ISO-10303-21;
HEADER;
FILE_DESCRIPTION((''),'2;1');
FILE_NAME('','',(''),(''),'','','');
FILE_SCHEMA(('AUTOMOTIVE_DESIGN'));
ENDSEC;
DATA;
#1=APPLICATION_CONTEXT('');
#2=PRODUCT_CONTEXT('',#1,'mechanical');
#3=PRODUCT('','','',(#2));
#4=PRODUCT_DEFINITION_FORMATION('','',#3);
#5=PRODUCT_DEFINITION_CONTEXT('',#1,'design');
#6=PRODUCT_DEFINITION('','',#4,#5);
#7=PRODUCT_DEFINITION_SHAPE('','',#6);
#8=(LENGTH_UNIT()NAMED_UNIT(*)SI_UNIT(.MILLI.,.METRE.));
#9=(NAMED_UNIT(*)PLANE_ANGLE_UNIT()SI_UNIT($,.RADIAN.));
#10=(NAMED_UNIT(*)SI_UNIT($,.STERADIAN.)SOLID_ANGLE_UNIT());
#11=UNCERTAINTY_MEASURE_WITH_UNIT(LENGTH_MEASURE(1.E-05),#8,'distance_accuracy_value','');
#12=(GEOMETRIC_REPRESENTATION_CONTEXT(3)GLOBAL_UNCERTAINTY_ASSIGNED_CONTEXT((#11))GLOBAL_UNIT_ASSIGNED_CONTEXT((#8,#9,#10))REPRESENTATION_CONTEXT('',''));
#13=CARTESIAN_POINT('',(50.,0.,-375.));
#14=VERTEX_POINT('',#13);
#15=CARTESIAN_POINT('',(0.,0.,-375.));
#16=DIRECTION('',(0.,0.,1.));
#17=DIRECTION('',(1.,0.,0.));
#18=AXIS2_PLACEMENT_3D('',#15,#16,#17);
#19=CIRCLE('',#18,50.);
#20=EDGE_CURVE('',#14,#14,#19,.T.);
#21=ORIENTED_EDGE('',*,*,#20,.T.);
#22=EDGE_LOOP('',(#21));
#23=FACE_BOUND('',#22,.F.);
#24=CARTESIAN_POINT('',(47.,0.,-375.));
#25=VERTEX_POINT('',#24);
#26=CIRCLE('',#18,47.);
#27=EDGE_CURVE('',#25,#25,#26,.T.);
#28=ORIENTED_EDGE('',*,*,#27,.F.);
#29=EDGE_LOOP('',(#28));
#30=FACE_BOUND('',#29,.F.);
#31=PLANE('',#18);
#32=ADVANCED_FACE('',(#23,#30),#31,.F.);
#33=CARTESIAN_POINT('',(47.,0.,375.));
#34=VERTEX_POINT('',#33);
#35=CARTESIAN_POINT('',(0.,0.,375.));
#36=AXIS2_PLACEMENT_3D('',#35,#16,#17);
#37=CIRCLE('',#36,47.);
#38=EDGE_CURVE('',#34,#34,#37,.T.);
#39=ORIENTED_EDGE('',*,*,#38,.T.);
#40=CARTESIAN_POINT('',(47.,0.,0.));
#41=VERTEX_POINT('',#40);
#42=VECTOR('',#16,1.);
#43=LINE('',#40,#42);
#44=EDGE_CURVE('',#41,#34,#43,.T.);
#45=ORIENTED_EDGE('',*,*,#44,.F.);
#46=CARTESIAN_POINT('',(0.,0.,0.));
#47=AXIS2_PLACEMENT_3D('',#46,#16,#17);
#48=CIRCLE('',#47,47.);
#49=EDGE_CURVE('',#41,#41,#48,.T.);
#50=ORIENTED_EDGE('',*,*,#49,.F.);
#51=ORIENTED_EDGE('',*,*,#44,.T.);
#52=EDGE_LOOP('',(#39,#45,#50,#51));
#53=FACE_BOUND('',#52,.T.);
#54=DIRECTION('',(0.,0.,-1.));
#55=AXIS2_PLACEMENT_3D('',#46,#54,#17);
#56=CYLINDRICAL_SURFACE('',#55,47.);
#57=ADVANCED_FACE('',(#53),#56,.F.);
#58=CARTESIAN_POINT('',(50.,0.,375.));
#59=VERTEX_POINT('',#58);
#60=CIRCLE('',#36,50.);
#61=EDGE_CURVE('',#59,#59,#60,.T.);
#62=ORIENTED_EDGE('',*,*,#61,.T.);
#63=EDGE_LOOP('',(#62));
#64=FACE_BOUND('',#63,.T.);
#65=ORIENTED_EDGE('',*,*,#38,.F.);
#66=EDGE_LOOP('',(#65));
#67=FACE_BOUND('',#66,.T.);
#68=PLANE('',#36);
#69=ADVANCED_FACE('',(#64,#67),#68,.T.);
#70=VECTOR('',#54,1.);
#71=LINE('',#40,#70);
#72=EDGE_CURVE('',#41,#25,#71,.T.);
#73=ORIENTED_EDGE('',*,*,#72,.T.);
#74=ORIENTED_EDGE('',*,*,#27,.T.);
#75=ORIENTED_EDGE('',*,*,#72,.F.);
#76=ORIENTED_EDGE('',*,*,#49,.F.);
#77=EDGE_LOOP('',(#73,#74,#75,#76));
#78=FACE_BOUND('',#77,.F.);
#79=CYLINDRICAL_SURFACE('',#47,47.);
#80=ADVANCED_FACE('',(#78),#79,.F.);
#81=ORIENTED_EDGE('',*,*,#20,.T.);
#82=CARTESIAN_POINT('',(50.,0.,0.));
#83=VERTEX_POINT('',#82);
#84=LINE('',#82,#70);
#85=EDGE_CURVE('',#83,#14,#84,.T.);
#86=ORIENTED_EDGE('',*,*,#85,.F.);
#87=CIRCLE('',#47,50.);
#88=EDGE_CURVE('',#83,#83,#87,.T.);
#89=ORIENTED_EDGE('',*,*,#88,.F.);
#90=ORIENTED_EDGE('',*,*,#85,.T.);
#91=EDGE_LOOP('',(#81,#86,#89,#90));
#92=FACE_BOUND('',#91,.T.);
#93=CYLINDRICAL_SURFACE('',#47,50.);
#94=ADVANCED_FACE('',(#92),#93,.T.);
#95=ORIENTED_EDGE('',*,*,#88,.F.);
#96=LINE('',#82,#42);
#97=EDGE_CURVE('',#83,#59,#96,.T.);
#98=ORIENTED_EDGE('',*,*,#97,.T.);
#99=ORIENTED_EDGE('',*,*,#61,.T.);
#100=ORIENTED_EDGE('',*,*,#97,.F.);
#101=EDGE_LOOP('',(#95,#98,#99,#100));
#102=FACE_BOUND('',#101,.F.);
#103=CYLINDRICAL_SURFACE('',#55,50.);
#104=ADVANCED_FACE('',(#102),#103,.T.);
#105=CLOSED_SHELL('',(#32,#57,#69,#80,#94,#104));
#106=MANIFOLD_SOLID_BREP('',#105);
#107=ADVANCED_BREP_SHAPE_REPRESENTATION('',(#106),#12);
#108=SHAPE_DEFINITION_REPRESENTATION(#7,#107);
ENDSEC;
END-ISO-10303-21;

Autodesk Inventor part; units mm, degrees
sketch "Sketch2" plane through (0, 0, 0) normal (0, 0, 1) x (1, 0, 0)
  circle A0 centre (0, 0) radius 50
  circle A1 centre (0, 0) radius 47
  dimension "d5" = 100
  dimension "d6" = 3
extrude "Extrusion2" add sketch "Sketch2" along normal mid plane 750
equation "\"BendRadius\" = Thickness"
equation "\"BendReliefWidth\" = Thickness"
equation "\"BendReliefDepth\" = 0.5 * Thickness"
equation "\"CornerReliefSize\" = 4 * Thickness"
equation "\"MinimumRemnant\" = 2 * Thickness"
equation "\"TransitionRadius\" = BendRadius"
equation "\"JacobiRadiusSize\" = BendRadius"
equation "\"GapSize\" = Thickness"
equation "\"Thickness\" = 3.048"
properties part number "Sessao_28_03_002_001" material "Steel, Galvanized"
